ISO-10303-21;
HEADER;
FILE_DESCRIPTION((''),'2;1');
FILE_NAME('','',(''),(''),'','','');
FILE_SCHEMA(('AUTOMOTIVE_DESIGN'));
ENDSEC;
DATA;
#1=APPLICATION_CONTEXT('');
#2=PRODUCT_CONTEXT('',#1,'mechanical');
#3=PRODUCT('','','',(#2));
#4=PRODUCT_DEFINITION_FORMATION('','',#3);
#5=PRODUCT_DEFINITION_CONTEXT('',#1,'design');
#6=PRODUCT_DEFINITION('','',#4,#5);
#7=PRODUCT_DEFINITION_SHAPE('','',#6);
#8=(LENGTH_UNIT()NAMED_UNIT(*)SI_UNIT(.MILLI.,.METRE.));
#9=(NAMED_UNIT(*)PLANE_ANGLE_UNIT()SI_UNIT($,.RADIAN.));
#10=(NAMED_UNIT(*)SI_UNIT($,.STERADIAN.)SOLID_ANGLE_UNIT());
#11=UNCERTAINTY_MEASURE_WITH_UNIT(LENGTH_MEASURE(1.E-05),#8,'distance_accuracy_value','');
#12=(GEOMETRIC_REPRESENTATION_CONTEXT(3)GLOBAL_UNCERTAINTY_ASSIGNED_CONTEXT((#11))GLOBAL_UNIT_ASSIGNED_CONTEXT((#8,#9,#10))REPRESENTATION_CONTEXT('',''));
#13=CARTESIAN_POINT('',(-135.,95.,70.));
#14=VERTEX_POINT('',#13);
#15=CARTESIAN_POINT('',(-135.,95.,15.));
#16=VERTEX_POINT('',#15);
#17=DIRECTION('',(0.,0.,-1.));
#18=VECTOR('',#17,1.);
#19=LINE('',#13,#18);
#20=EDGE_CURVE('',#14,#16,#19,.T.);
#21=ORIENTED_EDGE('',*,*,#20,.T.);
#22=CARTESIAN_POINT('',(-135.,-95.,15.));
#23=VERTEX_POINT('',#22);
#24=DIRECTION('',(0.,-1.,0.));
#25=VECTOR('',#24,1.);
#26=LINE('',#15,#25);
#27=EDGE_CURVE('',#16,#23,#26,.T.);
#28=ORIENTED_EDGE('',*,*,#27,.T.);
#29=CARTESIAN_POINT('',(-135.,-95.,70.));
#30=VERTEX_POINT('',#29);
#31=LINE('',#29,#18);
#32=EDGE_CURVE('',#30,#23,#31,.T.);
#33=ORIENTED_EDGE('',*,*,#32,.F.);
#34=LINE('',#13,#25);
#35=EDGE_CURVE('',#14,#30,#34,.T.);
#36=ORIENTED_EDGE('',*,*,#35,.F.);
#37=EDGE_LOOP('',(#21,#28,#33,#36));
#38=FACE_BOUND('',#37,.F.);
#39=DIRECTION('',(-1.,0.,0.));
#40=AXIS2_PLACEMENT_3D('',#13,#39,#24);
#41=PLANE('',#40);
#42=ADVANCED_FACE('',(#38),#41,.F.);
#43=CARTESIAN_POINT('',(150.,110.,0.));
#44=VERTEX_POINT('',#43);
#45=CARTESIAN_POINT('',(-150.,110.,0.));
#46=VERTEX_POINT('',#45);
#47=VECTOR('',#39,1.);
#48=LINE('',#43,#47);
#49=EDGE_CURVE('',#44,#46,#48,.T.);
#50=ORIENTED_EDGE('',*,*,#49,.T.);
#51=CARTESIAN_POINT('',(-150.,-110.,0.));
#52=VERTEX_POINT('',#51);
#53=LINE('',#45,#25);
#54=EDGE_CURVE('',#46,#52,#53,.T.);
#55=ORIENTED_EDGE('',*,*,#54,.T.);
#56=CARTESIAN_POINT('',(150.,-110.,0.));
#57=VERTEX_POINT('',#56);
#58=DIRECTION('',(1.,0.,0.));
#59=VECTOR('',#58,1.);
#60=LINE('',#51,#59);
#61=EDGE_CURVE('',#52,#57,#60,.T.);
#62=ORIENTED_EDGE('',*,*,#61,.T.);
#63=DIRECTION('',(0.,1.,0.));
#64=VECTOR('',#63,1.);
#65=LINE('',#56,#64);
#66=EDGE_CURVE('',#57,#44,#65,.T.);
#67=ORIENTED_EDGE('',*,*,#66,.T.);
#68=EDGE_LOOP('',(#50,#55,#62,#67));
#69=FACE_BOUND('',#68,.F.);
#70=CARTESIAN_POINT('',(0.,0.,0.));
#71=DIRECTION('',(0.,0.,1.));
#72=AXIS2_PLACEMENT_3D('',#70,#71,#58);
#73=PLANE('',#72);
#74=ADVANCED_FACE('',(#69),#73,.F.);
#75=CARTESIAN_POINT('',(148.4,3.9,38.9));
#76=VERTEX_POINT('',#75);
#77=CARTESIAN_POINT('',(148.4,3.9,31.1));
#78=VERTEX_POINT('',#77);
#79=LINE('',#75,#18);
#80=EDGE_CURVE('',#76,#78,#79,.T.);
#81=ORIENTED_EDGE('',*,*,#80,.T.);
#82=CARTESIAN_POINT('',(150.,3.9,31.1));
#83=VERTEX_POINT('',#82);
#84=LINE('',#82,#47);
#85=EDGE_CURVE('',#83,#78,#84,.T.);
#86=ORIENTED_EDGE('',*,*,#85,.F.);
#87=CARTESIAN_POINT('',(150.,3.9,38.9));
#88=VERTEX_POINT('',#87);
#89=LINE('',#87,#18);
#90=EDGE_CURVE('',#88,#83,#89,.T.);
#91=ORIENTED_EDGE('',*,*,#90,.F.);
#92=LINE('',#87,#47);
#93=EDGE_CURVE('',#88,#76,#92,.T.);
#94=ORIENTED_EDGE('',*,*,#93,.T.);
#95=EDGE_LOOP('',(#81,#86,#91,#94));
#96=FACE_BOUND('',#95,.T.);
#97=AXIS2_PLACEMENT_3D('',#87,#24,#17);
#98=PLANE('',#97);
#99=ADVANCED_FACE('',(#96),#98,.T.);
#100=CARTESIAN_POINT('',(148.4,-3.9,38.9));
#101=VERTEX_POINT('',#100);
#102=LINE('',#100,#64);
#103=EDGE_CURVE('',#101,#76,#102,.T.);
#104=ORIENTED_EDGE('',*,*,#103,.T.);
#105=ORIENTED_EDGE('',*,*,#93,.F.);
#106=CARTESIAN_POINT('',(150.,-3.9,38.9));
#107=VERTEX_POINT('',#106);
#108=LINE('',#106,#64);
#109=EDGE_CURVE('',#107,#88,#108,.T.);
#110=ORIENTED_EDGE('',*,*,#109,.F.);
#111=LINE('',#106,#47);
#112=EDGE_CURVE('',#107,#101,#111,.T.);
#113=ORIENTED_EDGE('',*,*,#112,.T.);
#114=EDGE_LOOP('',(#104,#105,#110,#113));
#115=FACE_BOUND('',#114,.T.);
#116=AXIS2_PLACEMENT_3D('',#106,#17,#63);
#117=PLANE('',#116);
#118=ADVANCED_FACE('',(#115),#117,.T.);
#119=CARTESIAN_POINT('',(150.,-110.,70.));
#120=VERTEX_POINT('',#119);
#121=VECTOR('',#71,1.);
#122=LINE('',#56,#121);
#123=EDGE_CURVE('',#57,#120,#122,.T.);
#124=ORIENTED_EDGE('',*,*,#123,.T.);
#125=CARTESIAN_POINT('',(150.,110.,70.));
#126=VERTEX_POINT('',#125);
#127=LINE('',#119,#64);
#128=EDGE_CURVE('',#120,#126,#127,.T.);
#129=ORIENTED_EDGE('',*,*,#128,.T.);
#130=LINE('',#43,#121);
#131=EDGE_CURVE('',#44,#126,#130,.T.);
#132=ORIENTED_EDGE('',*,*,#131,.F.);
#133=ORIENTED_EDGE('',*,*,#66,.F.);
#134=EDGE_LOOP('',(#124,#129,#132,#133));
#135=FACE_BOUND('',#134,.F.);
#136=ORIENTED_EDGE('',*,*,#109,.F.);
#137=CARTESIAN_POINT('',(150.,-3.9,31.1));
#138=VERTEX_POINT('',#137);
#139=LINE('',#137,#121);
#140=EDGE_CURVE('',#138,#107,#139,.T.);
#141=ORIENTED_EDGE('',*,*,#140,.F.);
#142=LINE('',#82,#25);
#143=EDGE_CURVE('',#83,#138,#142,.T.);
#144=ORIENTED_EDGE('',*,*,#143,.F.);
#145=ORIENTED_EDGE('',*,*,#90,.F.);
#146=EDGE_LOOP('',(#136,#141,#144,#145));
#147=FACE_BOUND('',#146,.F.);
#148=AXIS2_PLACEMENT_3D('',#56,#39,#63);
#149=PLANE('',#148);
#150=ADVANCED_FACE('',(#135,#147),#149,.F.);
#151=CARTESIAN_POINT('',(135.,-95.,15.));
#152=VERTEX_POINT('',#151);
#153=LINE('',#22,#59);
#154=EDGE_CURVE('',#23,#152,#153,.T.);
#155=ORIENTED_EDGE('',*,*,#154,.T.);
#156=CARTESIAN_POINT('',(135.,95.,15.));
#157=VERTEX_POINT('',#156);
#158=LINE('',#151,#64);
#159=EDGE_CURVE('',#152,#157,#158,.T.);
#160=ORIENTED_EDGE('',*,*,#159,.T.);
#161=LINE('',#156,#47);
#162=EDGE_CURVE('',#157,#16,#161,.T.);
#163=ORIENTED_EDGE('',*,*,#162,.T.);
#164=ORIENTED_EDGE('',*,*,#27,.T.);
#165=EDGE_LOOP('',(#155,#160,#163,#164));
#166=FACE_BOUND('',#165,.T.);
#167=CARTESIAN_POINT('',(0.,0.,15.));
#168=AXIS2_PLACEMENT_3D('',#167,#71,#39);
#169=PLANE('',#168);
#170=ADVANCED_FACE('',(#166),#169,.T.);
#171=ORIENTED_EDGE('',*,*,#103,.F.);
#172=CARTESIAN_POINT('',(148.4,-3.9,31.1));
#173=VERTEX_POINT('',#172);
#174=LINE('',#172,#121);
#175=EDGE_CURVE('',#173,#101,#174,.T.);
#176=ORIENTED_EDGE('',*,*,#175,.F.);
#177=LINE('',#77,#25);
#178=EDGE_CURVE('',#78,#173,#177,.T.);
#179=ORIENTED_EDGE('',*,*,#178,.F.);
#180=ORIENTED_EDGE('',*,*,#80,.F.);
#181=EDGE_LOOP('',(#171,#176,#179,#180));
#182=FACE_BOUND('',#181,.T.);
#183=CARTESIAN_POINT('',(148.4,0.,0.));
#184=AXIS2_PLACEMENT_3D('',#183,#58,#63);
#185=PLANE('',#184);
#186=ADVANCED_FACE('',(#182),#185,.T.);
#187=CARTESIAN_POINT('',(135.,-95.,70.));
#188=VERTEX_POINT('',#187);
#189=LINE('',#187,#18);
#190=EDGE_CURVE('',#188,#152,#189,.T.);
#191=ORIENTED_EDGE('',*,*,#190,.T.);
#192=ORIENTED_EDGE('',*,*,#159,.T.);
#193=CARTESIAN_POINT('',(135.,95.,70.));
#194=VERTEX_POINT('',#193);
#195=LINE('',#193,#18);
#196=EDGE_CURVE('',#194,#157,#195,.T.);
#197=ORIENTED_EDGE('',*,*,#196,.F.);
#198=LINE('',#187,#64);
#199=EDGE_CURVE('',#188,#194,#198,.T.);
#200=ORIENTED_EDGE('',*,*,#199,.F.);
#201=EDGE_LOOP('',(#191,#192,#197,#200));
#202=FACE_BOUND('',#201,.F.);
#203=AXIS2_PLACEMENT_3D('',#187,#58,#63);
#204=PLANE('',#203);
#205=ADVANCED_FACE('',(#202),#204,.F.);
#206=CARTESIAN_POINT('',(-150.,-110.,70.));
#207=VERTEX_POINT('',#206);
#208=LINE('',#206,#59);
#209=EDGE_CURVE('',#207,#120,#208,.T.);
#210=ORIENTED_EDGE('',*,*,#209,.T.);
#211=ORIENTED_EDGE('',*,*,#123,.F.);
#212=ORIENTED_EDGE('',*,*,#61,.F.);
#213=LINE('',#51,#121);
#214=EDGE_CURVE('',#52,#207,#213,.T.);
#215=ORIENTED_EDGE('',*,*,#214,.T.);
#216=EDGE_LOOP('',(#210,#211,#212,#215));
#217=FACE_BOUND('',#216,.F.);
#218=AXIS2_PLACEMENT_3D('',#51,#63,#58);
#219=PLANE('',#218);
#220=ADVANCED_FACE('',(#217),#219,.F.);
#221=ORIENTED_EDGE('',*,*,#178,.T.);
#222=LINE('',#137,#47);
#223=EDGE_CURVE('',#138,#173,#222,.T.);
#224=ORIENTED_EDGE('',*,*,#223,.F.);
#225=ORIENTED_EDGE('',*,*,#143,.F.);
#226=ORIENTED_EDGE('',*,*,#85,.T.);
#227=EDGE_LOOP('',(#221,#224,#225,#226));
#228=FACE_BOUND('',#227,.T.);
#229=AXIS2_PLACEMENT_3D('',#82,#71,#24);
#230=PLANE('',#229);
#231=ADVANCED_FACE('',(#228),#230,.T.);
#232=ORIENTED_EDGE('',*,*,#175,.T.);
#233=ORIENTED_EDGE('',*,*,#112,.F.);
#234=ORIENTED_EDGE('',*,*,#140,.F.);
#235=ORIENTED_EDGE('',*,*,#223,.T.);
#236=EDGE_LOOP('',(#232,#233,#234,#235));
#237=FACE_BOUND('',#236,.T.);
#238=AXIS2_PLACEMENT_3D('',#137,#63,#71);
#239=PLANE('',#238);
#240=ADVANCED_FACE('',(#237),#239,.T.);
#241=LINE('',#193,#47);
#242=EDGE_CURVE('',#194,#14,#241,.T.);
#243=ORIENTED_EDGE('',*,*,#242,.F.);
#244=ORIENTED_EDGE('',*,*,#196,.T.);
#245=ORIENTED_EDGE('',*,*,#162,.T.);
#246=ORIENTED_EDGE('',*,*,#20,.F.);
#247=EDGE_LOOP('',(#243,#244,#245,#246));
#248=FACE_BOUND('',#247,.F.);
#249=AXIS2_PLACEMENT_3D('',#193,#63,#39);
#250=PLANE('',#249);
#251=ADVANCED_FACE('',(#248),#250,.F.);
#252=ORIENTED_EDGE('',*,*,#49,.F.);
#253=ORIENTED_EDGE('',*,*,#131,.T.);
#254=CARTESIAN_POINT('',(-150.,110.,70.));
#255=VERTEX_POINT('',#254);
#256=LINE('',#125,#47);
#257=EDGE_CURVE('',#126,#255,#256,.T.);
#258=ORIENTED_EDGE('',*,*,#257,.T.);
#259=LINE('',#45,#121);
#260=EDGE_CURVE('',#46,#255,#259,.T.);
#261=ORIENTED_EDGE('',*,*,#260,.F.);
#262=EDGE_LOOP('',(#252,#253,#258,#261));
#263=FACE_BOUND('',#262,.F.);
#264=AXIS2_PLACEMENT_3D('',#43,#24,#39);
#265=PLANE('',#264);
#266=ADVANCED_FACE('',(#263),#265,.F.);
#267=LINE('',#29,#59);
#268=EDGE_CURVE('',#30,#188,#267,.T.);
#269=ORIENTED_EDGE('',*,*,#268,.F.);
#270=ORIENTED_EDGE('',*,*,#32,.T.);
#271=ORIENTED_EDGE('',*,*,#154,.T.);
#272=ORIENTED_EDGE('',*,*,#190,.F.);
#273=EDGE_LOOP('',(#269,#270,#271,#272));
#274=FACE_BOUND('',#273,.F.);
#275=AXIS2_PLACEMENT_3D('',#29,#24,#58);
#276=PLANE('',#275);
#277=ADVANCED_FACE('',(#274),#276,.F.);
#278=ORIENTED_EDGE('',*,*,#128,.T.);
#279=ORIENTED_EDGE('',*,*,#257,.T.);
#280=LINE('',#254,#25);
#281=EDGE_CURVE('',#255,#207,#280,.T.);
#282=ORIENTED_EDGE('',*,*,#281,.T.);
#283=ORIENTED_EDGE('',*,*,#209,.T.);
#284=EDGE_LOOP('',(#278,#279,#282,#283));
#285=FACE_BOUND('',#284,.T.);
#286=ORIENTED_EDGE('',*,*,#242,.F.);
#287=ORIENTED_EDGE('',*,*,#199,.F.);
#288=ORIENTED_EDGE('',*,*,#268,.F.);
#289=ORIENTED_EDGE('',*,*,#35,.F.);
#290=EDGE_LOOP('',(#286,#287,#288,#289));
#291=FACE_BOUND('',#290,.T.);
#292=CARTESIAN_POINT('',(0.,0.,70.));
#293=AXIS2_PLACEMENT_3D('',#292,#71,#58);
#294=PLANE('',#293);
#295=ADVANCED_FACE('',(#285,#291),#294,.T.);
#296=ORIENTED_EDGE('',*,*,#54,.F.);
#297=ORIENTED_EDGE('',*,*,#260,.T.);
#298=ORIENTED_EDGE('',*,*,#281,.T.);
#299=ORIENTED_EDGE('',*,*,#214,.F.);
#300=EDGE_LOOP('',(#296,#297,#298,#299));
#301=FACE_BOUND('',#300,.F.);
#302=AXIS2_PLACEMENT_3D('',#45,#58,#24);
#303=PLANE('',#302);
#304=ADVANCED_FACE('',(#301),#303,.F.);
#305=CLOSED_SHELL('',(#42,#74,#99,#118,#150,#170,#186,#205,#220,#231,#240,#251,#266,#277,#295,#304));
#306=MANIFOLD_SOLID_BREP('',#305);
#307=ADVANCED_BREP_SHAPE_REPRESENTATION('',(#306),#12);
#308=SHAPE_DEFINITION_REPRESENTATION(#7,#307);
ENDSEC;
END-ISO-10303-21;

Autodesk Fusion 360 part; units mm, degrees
sketch "Sketch1" plane through (0, 0, 0) normal (0, 0, 1) x (1, 0, 0) in component "bottom"
  line L0 (150, 110) -> (-150, 110)
  line L1 (-150, 110) -> (-150, -110)
  line L2 (-150, -110) -> (150, -110)
  line L3 (150, -110) -> (150, 110)
  line L4 (150, 110) -> (-150, -110) construction
  line L5 (-150, 110) -> (150, -110) construction
  dimension "d1" = 300
  dimension "d2" = 220
extrude "Extrude1" add sketch "Sketch1" along normal blind 70 in component "bottom"
sketch "Sketch2" plane through (150, 0, 0) normal (1, 0, 0) x (0, 1, 0) in component "bottom"
  line L0 (-110, 0) -> (110, 0)
  line L1 (110, 0) -> (110, 70)
  line L2 (110, 70) -> (-110, 70)
  line L3 (-110, 70) -> (-110, 0)
  line L4 (-12.5, 47.5) -> (12.5, 47.5)
  line L5 (12.5, 47.5) -> (12.5, 22.5)
  line L6 (12.5, 22.5) -> (-12.5, 22.5)
  line L7 (-12.5, 22.5) -> (-12.5, 47.5)
  line L8 (-12.5, 47.5) -> (12.5, 22.5) construction
  line L9 (12.5, 47.5) -> (-12.5, 22.5) construction
  line L10 (3.9, 31.1) -> (-3.9, 31.1)
  line L11 (-3.9, 31.1) -> (-3.9, 38.9)
  line L12 (-3.9, 38.9) -> (3.9, 38.9)
  line L13 (3.9, 38.9) -> (3.9, 31.1)
  point P0 (0, 35)
  dimension "d5" = 25
  dimension "d6" = 25
  dimension "d7" = 8.6
extrude "Extrude2" cut sketch "Sketch2" against normal blind 1.6 contours L10 L11 L12 L13 in component "bottom"
sketch "Sketch3" plane through (0, 0, 70) normal (0, 0, 1) x (-1, 0, 0) in component "bottom"
  line L0 (-150, 110) -> (-150, -110)
  line L1 (-150, -110) -> (150, -110)
  line L2 (150, -110) -> (150, 110)
  line L3 (150, 110) -> (-150, 110)
  line L4 (135, 95) -> (-135, 95)
  line L5 (-135, 95) -> (-135, -95)
  line L6 (-135, -95) -> (135, -95)
  line L7 (135, -95) -> (135, 95)
  dimension "d10" = -15
extrude "Extrude3" cut sketch "Sketch3" against normal up to surface (55 mm away) contours L4 L5 L6 L7 in component "bottom"
component "bottom" placed x (1, 0, 0) y (0, 1, 0) z (0, 0, 1) at (0, 0, 0)
component "top" placed x (1, 0, 0) y (0, 1, 0) z (0, 0, 1) at (0, 0, 0)
